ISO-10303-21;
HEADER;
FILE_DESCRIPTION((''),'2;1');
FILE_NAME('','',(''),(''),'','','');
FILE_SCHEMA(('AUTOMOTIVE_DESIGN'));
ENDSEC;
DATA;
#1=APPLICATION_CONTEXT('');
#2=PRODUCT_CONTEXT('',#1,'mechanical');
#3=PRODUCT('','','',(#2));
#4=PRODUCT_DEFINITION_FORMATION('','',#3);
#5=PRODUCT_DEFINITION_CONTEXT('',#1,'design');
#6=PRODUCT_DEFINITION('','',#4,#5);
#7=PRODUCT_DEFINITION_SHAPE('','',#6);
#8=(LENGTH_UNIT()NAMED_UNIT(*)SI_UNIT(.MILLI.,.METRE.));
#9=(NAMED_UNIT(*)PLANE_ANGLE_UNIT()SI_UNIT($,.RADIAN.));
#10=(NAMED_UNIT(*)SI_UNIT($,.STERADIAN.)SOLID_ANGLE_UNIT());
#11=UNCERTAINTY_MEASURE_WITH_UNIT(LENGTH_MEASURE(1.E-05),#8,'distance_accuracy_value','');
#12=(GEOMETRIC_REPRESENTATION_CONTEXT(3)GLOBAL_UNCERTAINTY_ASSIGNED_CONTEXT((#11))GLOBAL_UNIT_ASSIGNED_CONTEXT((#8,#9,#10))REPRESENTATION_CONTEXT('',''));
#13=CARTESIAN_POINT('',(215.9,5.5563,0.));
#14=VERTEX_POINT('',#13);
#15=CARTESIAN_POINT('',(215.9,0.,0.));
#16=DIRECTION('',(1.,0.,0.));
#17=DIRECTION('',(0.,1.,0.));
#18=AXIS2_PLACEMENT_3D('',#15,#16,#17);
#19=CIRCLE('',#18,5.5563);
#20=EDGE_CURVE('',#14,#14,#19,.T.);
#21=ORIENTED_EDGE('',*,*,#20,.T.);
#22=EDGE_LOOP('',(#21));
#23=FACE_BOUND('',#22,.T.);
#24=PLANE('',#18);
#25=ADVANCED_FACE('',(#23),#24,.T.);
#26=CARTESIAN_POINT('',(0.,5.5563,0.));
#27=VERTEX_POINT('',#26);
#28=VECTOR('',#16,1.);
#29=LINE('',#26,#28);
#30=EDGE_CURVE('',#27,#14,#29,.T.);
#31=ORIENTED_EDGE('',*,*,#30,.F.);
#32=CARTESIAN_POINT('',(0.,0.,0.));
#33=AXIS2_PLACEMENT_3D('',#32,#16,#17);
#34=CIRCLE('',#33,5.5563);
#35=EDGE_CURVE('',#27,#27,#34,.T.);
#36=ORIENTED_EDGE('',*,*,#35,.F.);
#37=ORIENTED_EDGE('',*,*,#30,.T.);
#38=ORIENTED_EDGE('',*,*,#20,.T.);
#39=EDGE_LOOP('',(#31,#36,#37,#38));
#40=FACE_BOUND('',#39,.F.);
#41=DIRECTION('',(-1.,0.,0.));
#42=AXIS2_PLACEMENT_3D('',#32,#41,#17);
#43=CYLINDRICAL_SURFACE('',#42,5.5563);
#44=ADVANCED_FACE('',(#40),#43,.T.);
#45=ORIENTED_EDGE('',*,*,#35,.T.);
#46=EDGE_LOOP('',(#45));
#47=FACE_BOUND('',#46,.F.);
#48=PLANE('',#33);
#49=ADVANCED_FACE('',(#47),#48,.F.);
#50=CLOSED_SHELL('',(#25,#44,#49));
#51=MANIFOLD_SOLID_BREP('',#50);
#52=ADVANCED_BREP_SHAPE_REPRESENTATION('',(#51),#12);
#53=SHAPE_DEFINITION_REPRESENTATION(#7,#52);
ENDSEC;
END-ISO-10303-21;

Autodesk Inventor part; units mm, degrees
ref_plane "YZ Plane" through (0, 0, 0) normal (1, 0, 0) x (0, 1, 0)
ref_plane "XZ Plane" through (0, 0, 0) normal (0, 1, 0) x (-1, 0, 0)
ref_plane "XY Plane" through (0, 0, 0) normal (0, 0, 1) x (1, 0, 0)
sketch "Sketch1" plane through (0, 0, 0) normal (1, 0, 0) x (0, 1, 0)
  circle A0 centre (0, 0) radius 5.5563
  dimension "d0" = 11.1125
extrude "Extrusion1" add sketch "Sketch1" along normal blind 215.9
properties part number "Base_Rod" material "Stainless Steel"
